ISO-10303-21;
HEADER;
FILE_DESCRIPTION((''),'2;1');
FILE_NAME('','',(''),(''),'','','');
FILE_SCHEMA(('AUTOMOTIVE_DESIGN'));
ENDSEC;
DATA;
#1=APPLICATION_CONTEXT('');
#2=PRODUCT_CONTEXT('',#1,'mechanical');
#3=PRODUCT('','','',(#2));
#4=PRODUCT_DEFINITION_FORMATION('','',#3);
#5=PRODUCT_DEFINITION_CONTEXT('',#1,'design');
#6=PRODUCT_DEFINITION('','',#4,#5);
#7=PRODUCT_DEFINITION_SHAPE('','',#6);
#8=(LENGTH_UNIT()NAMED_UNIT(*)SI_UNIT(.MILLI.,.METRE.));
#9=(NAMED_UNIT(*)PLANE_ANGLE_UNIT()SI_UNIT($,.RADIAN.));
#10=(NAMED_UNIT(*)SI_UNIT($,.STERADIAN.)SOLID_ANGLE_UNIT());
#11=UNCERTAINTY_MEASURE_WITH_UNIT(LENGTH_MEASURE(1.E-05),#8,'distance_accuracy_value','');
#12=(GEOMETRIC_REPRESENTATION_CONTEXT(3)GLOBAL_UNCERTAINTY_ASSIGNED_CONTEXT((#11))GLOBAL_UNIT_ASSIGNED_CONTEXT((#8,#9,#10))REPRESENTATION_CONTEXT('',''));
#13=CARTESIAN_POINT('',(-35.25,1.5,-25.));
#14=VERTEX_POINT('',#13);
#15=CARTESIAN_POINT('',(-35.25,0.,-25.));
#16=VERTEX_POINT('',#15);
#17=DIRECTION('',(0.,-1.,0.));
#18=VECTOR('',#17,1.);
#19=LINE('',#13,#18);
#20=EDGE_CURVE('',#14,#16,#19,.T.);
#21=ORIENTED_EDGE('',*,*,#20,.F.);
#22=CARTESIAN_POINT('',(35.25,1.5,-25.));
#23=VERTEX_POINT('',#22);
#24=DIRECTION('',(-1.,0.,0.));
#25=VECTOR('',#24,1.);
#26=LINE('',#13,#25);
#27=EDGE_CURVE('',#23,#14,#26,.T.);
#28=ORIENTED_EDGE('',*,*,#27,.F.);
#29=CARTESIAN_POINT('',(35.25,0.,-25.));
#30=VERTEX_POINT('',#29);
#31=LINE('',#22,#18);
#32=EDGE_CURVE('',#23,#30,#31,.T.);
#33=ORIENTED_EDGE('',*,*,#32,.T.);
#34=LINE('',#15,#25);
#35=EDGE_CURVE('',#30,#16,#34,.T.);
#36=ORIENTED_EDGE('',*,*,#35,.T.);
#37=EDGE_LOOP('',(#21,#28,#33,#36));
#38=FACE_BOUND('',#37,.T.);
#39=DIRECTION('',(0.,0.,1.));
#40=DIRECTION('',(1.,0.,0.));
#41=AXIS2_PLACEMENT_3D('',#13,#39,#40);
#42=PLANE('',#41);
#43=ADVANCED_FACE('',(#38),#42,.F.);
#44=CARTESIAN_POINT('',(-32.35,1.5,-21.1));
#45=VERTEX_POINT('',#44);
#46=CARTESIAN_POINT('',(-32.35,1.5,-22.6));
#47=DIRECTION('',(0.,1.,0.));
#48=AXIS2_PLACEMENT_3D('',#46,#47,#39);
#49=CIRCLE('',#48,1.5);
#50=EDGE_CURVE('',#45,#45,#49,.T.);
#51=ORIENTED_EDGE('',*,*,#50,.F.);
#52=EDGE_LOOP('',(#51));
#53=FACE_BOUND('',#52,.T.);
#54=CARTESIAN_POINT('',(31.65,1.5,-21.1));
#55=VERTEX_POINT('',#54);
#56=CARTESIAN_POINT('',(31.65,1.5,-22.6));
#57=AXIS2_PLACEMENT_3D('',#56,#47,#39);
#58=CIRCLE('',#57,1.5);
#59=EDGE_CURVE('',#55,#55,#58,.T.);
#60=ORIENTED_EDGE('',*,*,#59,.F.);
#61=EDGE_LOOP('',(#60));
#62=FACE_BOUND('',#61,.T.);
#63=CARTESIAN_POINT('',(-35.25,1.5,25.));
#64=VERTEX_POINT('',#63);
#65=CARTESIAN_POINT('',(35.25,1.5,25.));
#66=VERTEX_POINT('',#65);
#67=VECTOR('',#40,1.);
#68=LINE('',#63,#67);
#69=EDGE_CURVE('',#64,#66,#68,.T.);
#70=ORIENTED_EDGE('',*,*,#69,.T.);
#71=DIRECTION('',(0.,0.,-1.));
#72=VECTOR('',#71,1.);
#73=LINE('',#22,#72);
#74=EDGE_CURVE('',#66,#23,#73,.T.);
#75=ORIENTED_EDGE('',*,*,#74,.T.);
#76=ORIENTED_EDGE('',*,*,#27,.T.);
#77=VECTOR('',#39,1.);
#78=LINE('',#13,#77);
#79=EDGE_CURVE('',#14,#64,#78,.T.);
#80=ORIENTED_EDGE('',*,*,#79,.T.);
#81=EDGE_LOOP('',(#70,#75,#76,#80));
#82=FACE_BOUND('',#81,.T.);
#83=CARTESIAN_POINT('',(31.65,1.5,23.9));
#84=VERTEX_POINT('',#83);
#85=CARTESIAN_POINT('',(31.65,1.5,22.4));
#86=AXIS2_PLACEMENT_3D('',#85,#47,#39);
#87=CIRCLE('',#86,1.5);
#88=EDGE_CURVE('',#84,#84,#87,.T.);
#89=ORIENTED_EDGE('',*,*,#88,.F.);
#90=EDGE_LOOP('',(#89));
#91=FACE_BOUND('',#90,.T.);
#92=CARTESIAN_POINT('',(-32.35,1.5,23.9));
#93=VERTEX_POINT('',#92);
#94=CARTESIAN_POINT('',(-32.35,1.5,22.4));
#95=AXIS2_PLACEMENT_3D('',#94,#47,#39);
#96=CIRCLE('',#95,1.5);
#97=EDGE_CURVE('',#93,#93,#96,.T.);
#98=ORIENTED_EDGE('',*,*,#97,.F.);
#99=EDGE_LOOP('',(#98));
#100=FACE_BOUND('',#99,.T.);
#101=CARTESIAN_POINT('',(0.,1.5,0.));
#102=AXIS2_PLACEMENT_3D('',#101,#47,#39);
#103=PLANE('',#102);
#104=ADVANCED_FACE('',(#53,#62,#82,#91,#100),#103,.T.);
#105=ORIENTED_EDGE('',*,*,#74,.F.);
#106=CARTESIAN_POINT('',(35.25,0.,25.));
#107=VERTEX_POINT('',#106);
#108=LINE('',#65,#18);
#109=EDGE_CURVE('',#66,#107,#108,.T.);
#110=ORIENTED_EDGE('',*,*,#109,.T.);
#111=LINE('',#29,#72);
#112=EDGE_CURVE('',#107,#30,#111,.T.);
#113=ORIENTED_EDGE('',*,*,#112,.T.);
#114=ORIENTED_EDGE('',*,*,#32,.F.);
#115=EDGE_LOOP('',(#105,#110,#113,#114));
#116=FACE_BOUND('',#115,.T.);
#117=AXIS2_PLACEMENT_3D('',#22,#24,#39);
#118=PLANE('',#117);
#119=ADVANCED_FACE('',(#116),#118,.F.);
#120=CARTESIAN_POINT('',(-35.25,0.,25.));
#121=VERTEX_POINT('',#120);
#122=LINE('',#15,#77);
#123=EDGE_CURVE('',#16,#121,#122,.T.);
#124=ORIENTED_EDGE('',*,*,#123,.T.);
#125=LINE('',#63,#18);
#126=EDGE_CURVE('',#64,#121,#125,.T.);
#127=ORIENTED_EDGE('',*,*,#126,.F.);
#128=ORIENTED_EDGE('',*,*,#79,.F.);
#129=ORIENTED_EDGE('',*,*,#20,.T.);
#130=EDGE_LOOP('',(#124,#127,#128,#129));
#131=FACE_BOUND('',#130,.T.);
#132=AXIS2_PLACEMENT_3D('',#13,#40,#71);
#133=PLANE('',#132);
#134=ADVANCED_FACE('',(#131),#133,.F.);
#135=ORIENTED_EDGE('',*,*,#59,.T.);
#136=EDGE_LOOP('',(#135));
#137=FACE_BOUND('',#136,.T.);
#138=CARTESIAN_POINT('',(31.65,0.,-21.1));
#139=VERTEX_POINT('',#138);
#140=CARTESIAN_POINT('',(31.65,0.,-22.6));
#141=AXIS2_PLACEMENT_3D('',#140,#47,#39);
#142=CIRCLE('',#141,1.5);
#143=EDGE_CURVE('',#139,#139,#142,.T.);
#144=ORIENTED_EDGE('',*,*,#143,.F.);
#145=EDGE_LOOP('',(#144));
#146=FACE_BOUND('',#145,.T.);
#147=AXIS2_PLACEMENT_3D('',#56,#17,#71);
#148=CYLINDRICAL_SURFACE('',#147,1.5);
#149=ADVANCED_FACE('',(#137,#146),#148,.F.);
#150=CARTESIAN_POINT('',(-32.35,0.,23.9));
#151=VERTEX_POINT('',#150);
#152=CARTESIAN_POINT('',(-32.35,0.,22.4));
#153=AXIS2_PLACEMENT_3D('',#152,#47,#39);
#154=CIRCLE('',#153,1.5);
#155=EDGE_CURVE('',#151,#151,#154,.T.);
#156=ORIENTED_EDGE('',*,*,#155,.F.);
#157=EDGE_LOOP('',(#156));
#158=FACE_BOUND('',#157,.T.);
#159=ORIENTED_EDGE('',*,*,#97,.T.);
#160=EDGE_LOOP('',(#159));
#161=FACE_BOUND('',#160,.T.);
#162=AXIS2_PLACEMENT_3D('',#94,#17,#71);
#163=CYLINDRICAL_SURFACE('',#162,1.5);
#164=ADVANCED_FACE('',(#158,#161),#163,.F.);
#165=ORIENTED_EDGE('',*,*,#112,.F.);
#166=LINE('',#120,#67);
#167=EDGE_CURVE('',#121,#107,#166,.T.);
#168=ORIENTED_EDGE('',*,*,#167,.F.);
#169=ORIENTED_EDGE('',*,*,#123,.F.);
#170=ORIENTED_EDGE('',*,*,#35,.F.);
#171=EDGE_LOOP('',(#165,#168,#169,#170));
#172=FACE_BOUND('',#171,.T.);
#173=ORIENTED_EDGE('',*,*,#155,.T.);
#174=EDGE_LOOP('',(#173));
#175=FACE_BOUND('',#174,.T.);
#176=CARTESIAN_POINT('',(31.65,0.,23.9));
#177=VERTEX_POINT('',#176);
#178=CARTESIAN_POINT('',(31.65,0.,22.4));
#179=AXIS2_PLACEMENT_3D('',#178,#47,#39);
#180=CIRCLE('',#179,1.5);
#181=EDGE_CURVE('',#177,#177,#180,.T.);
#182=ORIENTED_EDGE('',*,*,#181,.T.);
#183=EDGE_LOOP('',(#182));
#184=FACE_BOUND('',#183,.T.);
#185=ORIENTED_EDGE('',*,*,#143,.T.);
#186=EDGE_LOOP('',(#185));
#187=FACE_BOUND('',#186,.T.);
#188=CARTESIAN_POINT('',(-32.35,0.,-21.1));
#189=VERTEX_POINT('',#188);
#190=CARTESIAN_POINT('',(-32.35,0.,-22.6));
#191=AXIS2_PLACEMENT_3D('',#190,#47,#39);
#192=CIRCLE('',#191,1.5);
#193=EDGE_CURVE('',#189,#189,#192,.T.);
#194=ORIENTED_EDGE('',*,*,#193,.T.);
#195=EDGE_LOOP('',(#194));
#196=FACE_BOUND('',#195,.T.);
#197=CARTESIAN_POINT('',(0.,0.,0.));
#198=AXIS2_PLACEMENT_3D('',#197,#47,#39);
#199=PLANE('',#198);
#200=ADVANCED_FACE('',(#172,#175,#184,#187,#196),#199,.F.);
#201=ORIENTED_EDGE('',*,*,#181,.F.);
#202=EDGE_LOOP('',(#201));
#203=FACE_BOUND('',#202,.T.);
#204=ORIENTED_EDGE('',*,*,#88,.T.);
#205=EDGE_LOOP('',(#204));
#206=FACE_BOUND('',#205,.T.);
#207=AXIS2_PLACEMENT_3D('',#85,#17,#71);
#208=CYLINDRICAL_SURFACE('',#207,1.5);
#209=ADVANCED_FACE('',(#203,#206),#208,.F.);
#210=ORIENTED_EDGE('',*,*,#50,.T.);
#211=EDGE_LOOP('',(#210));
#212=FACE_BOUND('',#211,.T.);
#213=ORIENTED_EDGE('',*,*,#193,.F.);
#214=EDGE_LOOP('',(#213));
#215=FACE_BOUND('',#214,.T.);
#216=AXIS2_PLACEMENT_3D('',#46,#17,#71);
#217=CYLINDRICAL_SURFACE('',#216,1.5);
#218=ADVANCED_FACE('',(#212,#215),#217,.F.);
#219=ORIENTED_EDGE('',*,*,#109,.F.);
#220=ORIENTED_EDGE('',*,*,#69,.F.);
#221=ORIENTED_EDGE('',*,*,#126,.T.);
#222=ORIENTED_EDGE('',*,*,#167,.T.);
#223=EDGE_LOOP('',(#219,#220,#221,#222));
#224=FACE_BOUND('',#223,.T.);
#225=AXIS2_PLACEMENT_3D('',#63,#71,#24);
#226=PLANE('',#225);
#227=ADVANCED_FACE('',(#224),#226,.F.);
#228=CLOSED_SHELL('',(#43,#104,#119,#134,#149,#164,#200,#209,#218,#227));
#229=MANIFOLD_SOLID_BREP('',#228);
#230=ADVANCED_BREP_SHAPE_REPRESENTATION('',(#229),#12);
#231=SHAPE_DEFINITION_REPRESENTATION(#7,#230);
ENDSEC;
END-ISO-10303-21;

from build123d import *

# Parameters (mm, degrees)
ESQUISSE1_W        = 70.5
ESQUISSE1_H        = 50
ESQUISSE1_R        = 1.5
BOSS_EXTRU_1_DEPTH = 1.5


with BuildPart() as part:
    # Esquisse1 → Boss.-Extru.1 (new body)
    with BuildSketch(Plane(origin=(0, 0, 0), x_dir=(1, 0, 0), z_dir=(0, 1, 0))):
        Rectangle(ESQUISSE1_W, ESQUISSE1_H)
        with Locations(Location((-32.35, 22.6, 0), (0, 0, 270))):
            Circle(ESQUISSE1_R, mode=Mode.SUBTRACT)
        with Locations(Location((-32.35, -22.4, 0), (0, 0, 270))):
            Circle(ESQUISSE1_R, mode=Mode.SUBTRACT)
        with Locations(Location((31.65, 22.6, 0), (0, 0, 270))):
            Circle(ESQUISSE1_R, mode=Mode.SUBTRACT)
        with Locations(Location((31.65, -22.4, 0), (0, 0, 270))):
            Circle(ESQUISSE1_R, mode=Mode.SUBTRACT)
    extrude(amount=BOSS_EXTRU_1_DEPTH)


solid = part.part
